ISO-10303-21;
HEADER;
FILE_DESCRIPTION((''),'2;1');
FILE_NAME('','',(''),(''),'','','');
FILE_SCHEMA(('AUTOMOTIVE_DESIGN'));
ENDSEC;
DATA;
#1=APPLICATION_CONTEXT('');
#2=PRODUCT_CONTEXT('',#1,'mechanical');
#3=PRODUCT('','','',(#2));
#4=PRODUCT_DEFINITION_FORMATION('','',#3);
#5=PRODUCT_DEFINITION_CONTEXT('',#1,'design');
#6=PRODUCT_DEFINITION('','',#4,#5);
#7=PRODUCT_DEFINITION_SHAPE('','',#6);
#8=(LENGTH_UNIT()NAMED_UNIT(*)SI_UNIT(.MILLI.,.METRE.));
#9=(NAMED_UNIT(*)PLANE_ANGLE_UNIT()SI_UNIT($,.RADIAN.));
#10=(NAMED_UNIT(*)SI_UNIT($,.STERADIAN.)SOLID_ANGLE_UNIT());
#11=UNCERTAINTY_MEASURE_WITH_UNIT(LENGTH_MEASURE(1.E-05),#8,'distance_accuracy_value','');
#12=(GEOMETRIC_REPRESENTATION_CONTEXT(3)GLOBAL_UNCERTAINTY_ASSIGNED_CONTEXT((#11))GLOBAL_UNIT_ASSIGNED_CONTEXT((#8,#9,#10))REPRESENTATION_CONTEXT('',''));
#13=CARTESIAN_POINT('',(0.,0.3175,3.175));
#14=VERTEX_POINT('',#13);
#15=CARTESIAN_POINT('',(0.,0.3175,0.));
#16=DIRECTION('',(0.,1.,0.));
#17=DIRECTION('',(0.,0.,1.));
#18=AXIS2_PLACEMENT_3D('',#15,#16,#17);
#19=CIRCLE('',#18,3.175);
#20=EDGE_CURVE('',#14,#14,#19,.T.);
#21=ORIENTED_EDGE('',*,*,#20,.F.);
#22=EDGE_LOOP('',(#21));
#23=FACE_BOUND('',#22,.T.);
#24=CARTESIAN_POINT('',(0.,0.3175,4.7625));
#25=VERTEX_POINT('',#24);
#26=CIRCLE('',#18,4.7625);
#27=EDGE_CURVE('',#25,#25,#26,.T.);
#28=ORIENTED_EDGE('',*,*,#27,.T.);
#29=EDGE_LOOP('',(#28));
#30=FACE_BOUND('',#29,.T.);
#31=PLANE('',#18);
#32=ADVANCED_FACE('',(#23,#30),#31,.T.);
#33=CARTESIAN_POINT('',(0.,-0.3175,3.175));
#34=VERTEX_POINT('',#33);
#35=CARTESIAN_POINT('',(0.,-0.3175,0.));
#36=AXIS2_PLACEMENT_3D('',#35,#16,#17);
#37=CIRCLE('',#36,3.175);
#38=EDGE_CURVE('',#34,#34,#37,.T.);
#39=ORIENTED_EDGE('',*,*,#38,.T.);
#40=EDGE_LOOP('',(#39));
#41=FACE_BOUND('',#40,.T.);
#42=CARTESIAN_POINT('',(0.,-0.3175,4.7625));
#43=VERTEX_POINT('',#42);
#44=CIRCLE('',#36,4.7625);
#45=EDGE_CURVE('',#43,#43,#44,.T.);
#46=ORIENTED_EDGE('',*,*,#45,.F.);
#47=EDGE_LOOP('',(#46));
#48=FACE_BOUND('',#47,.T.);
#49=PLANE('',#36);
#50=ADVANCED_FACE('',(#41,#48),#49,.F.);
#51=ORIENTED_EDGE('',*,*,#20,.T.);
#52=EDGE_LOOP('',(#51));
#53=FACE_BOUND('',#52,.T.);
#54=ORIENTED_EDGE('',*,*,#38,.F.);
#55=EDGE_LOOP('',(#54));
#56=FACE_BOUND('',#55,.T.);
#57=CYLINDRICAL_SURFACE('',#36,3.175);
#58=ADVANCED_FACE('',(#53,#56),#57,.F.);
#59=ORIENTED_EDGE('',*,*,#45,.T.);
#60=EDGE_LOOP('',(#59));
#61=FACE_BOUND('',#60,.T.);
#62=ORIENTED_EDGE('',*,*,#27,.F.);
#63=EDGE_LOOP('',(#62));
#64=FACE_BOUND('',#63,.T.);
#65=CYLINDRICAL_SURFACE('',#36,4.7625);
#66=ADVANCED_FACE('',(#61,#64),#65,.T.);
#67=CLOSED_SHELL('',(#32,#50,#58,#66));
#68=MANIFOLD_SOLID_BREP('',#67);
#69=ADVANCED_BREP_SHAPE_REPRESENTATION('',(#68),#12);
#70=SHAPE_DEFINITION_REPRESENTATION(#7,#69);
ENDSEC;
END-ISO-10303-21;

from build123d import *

# Parameters (mm, degrees)
BOSS_EXTRUDE1_DEPTH      = 0.3175
BOSS_EXTRUDE1_DEPTH_BACK = 0.3175
SKETCH3_R                = 4.7625
SKETCH3_R_2              = 3.175


with BuildPart() as part:
    # Sketch3 → Boss-Extrude1 (new, two sides: drawn at the far end of the back side and taken through both)
    with BuildSketch(Plane(origin=(0, 0, 0), x_dir=(1, 0, 0), z_dir=(0, 1, 0)).offset(-BOSS_EXTRUDE1_DEPTH_BACK)):
        with Locations(Location((0, 0, 0), (0, 0, 270))):
            Circle(SKETCH3_R)
        with Locations(Location((0, 0, 0), (0, 0, 270))):
            Circle(SKETCH3_R_2, mode=Mode.SUBTRACT)
    extrude(amount=BOSS_EXTRUDE1_DEPTH + BOSS_EXTRUDE1_DEPTH_BACK)


solid = part.part
